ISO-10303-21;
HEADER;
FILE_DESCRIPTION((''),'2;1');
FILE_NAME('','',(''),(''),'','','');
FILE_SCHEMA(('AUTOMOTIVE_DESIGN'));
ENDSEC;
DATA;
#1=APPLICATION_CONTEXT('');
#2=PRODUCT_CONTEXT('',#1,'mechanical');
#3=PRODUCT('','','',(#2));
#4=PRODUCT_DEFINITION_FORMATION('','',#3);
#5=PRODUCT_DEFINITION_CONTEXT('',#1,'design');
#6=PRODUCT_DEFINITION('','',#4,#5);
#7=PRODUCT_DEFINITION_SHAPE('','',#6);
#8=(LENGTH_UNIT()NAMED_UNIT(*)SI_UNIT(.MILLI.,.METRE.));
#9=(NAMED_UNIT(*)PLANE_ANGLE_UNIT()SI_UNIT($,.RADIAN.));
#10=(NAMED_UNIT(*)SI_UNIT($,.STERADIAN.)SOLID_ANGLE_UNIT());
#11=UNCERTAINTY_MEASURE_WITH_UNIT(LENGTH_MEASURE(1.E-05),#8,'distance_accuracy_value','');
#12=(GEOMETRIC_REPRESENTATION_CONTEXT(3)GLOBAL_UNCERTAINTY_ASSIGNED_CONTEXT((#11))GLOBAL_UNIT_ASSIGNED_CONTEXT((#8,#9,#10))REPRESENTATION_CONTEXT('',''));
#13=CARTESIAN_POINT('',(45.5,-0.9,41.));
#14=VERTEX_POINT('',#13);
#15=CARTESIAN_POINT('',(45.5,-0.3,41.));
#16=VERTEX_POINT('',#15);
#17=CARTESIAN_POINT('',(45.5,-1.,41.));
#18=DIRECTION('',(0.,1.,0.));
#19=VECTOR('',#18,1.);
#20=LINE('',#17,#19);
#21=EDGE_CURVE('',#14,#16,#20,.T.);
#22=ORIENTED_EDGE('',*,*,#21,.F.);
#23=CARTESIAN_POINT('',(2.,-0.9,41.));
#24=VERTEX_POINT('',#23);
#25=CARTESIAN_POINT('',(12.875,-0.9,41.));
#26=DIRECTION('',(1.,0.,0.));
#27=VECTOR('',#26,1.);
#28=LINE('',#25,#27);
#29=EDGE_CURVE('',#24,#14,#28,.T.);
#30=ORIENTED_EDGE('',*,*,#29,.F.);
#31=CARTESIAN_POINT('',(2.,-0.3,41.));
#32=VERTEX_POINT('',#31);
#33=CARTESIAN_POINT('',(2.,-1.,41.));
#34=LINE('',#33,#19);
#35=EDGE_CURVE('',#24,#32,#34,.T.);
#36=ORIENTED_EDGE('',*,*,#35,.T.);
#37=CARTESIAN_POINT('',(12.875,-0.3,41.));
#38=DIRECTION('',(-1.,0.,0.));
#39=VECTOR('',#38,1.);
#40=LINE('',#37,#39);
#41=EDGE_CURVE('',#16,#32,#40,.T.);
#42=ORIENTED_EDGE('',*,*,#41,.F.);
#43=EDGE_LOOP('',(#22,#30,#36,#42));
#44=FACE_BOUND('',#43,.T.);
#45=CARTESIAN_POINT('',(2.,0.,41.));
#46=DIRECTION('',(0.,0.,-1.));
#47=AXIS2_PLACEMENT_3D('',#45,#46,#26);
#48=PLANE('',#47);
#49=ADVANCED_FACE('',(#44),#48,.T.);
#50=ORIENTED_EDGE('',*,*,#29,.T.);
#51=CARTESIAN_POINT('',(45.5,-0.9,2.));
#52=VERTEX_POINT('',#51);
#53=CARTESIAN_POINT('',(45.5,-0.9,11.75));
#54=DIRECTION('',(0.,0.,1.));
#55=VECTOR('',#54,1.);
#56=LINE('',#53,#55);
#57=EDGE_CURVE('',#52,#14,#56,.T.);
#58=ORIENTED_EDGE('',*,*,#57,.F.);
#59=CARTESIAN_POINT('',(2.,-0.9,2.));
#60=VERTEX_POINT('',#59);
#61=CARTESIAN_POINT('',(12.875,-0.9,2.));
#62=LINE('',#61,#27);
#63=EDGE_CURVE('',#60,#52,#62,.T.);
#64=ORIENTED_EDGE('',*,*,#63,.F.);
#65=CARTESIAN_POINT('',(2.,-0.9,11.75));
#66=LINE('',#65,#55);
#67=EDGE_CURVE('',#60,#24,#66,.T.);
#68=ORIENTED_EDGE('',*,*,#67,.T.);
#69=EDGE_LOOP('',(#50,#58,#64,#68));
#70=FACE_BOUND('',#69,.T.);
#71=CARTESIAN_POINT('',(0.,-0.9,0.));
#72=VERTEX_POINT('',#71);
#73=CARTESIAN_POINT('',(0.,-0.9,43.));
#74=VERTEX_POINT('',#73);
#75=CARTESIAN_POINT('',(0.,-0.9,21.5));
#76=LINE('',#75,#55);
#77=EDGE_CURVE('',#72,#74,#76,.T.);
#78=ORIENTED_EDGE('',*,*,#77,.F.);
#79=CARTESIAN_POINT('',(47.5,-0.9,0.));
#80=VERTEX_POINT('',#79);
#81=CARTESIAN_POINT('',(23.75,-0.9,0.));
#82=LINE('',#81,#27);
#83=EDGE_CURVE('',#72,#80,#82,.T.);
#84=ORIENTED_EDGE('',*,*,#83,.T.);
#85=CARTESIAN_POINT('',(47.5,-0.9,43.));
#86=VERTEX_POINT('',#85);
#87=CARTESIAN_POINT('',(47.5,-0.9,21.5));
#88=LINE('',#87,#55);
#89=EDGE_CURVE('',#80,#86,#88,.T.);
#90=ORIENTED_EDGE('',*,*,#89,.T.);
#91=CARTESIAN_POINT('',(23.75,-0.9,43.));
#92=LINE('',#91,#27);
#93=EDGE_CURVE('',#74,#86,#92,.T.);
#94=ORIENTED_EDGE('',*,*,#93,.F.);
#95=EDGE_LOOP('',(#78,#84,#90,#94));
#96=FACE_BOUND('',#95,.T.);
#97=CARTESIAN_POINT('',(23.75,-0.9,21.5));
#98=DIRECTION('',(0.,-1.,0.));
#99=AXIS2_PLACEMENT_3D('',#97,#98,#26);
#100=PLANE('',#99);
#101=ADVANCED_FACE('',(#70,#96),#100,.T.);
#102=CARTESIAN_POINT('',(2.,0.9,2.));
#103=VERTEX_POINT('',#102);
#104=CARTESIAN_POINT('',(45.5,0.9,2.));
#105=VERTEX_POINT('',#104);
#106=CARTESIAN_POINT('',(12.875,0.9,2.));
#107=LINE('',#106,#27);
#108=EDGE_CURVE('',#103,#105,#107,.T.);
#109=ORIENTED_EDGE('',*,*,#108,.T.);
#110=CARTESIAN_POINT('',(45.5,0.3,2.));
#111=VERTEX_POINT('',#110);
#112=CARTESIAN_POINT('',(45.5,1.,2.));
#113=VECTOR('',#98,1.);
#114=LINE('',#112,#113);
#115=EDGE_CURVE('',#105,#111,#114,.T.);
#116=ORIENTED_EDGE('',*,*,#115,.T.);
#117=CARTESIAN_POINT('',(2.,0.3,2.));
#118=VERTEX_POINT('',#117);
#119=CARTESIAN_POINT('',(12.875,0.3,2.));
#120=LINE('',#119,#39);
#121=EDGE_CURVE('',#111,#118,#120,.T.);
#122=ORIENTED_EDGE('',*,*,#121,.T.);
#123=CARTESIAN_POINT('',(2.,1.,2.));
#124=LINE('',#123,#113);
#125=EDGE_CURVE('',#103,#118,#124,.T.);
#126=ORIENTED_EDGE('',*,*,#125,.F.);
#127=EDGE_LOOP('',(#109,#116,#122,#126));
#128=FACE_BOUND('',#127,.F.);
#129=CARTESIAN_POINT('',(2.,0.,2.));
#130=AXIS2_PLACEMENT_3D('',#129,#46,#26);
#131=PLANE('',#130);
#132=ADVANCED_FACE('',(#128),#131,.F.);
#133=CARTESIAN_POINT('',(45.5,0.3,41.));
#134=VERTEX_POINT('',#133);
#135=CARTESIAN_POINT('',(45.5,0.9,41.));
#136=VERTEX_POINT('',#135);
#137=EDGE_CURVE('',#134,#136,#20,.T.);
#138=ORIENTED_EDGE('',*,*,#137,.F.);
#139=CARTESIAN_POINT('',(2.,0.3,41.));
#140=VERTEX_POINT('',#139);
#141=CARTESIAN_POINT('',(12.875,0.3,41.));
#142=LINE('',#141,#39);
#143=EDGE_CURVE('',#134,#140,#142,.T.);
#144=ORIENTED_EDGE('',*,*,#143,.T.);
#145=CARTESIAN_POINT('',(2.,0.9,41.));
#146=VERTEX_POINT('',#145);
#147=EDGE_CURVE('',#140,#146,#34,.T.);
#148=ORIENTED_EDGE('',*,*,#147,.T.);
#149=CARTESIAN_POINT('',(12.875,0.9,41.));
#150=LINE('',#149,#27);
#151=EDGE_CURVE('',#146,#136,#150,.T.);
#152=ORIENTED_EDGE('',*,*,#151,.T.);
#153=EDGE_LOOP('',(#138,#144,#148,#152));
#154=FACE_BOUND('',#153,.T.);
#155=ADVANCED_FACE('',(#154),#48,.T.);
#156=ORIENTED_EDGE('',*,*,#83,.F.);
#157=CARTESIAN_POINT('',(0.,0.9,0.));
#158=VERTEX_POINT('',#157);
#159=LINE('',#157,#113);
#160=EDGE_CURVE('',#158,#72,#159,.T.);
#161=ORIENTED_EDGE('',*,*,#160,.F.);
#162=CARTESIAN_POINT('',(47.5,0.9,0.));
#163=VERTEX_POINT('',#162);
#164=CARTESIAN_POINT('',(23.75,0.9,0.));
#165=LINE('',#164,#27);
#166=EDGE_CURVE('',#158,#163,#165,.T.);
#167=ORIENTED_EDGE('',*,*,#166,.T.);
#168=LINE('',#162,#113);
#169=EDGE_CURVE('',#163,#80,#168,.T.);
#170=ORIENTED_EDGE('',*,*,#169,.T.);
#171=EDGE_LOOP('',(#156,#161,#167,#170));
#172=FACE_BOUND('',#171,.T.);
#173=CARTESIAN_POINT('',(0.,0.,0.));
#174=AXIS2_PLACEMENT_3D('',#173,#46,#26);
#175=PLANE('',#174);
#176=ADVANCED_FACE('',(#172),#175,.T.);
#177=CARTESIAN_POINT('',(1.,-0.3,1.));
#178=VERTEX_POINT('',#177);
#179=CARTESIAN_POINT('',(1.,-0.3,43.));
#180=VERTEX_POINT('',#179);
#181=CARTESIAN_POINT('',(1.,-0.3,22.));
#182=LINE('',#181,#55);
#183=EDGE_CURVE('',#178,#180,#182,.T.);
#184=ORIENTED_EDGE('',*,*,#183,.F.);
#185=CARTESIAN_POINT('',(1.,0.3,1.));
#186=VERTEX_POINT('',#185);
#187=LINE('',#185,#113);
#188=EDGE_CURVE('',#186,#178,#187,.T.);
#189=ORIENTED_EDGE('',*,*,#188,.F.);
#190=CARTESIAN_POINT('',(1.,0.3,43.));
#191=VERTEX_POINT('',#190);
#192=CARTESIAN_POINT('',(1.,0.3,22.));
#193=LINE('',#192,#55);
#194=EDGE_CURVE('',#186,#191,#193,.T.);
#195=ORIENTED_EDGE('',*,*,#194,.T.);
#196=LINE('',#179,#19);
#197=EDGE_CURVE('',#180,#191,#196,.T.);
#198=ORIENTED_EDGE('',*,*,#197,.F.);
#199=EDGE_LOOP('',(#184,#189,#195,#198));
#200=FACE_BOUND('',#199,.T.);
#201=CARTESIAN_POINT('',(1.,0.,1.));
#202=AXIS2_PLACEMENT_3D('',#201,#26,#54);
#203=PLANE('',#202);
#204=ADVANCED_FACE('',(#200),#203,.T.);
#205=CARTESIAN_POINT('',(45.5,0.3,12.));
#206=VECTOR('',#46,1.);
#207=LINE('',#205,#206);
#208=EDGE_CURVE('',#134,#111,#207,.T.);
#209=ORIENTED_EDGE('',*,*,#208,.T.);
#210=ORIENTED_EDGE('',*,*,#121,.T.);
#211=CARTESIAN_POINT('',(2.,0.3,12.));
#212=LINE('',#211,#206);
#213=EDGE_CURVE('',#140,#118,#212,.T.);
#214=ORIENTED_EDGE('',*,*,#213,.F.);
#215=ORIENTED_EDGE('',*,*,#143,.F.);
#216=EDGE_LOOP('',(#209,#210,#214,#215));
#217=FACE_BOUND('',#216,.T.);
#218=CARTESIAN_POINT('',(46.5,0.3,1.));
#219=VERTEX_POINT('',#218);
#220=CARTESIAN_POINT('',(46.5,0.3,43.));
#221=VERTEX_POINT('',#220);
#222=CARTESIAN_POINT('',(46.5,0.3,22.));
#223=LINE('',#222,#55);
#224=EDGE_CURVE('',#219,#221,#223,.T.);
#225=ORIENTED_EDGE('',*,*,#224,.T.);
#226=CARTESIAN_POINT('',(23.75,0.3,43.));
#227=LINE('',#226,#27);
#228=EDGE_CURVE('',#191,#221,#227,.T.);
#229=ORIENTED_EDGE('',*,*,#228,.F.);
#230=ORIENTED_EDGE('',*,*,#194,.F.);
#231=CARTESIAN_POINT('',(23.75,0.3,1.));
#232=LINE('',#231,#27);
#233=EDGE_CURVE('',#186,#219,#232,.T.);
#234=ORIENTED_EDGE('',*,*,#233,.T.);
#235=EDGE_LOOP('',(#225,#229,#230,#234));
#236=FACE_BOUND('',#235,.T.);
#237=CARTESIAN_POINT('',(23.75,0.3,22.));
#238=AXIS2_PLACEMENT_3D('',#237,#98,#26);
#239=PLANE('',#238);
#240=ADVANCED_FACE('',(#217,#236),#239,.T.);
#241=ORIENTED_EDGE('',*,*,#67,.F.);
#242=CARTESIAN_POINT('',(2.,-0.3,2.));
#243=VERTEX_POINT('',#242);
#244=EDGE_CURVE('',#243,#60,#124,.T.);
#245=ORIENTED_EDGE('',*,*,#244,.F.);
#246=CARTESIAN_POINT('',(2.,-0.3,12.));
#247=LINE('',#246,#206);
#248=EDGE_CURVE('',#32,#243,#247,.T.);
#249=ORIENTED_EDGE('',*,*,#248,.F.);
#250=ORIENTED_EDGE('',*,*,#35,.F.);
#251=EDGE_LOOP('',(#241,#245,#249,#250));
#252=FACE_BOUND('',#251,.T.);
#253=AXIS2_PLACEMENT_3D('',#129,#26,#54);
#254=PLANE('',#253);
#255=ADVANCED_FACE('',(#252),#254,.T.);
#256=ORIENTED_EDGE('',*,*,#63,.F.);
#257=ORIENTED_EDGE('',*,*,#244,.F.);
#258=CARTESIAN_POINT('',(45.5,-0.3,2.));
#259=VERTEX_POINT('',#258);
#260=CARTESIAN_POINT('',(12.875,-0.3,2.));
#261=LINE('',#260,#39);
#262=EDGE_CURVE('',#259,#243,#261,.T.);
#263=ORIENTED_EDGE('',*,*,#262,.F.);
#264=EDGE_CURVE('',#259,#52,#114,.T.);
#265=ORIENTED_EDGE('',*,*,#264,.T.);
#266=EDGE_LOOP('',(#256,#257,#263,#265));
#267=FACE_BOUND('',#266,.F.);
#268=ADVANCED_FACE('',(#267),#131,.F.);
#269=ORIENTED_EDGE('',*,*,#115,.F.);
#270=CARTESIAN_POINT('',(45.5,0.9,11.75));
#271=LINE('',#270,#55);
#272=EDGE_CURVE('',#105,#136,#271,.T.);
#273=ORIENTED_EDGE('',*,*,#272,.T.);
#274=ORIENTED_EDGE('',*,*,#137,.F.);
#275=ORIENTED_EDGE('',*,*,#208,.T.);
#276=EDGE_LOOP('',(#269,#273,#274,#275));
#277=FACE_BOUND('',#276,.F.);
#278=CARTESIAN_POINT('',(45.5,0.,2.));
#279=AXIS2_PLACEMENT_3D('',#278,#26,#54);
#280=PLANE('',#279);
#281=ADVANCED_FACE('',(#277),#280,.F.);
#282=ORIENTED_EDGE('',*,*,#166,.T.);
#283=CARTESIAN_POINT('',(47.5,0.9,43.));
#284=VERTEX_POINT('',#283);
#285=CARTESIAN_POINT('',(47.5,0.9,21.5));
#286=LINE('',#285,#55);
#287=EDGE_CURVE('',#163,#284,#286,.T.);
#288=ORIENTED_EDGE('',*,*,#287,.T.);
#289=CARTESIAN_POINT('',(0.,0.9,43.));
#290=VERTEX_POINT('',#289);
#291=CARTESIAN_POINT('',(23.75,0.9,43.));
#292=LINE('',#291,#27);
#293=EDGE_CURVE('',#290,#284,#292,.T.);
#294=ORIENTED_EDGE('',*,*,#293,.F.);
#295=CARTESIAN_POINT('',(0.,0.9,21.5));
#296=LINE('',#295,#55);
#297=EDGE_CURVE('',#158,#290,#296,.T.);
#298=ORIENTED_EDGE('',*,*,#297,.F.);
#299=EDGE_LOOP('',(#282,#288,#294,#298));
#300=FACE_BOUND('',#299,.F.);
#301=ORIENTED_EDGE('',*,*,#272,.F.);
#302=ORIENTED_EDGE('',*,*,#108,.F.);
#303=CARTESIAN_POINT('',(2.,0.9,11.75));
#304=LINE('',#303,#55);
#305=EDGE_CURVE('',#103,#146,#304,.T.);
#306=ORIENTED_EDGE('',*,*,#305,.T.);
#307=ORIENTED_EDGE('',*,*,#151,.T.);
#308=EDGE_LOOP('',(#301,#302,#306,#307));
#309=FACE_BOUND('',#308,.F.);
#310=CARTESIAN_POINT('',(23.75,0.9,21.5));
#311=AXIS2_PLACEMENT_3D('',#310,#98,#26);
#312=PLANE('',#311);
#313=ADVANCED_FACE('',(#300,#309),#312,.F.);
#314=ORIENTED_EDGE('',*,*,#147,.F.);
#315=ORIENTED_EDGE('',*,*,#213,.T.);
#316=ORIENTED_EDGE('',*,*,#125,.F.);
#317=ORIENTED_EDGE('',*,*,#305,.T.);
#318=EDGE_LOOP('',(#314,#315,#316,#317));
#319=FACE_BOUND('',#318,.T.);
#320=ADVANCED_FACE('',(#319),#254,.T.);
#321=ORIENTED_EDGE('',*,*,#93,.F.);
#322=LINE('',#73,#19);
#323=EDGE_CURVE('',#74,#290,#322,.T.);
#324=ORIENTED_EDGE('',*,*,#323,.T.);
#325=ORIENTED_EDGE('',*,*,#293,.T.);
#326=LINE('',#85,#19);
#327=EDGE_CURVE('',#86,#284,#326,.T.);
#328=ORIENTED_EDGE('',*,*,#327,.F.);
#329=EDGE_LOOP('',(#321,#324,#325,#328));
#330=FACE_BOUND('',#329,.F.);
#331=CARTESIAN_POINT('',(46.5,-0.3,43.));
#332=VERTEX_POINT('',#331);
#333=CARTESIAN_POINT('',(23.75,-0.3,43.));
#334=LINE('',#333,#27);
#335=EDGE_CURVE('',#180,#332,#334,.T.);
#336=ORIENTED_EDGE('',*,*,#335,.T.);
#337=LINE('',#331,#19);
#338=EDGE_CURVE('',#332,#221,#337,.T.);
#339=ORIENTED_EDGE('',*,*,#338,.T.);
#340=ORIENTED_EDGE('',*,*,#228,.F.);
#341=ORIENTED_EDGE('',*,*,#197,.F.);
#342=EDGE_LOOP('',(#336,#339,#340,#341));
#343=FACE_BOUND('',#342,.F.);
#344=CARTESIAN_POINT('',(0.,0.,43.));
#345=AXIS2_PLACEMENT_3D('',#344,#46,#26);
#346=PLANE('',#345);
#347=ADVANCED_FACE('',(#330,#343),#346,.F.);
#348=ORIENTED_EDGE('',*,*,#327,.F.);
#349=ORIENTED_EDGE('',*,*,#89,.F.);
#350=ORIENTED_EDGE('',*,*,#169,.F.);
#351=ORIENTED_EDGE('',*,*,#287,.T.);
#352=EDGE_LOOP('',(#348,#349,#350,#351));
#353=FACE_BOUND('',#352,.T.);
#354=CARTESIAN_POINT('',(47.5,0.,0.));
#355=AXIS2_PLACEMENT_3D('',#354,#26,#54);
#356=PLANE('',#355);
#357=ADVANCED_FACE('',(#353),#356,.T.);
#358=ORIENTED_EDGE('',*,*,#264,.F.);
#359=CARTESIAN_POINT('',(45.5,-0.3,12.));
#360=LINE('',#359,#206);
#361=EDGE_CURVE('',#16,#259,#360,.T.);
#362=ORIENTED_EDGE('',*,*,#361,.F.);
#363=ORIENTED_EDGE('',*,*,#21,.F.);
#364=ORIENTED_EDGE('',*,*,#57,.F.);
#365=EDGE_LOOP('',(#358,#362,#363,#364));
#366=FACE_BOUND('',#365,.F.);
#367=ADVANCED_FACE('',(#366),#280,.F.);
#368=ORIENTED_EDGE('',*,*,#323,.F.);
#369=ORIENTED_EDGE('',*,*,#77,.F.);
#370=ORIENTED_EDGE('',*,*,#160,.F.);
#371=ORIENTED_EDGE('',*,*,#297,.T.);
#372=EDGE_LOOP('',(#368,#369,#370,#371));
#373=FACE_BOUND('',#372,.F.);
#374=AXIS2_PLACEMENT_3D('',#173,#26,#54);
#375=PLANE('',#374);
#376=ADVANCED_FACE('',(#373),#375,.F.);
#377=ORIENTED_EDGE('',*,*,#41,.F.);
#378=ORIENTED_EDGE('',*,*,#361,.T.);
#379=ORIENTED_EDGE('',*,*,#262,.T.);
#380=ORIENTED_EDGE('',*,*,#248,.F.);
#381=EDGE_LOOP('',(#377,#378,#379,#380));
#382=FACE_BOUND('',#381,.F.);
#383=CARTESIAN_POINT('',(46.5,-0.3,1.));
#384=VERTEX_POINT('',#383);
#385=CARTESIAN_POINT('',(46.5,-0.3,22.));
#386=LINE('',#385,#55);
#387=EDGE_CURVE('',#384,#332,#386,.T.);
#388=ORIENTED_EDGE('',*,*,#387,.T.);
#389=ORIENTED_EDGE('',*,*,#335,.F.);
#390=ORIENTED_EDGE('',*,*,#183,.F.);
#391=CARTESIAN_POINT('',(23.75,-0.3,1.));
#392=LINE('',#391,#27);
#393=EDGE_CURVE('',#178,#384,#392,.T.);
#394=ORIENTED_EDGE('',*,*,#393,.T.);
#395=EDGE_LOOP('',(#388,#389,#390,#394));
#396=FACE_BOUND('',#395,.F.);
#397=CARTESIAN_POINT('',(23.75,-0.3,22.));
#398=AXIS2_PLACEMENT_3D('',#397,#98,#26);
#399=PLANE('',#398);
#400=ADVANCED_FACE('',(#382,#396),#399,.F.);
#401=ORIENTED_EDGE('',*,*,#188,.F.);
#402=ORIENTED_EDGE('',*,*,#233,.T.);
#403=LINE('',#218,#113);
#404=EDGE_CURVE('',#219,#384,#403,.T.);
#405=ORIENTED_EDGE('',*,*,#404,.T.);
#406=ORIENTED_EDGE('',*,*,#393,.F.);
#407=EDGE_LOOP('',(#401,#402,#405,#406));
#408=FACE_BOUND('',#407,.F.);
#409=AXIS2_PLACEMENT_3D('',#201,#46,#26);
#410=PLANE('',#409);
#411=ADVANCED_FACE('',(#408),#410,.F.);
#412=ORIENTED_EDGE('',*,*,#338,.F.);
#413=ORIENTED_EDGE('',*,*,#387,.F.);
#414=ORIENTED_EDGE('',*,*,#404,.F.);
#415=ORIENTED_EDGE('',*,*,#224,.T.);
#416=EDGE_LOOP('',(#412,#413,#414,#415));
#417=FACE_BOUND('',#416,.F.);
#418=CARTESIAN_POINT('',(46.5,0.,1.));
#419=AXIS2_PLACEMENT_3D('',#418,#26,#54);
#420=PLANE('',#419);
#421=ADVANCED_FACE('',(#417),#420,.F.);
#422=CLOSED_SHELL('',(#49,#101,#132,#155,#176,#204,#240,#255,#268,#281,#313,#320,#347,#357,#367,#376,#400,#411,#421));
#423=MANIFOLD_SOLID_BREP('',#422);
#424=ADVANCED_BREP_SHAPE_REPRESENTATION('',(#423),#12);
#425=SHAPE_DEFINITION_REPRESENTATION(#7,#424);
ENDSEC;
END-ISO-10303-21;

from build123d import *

# Parameters (mm, degrees)
F0_W     = 47.5
F0_H     = 43
F1_DEPTH = 0.9
F2_W     = 43.5
F2_H     = 39
F3_DEPTH = 1
F4_W     = 45.5
F4_H     = 42
F5_DEPTH = 0.3


with BuildPart() as f1:
    # F0 (on Front) → F1 (new body, symmetric)
    with BuildSketch(Plane.XZ):
        with Locations((23.75, 21.5)):
            Rectangle(F0_W, F0_H)
    extrude(amount=F1_DEPTH, both=True)

    # F2 (on Front) → F3 (cut, symmetric)
    with BuildSketch(Plane.XZ):
        with Locations((23.75, 21.5)):
            Rectangle(F2_W, F2_H)
    extrude(amount=F3_DEPTH, both=True, mode=Mode.SUBTRACT)

    # F4 (on Front) → F5 (cut, symmetric)
    with BuildSketch(Plane.XZ):
        with Locations((23.75, 22)):
            Rectangle(F4_W, F4_H)
    extrude(amount=F5_DEPTH, both=True, mode=Mode.SUBTRACT)


solid = f1.part
